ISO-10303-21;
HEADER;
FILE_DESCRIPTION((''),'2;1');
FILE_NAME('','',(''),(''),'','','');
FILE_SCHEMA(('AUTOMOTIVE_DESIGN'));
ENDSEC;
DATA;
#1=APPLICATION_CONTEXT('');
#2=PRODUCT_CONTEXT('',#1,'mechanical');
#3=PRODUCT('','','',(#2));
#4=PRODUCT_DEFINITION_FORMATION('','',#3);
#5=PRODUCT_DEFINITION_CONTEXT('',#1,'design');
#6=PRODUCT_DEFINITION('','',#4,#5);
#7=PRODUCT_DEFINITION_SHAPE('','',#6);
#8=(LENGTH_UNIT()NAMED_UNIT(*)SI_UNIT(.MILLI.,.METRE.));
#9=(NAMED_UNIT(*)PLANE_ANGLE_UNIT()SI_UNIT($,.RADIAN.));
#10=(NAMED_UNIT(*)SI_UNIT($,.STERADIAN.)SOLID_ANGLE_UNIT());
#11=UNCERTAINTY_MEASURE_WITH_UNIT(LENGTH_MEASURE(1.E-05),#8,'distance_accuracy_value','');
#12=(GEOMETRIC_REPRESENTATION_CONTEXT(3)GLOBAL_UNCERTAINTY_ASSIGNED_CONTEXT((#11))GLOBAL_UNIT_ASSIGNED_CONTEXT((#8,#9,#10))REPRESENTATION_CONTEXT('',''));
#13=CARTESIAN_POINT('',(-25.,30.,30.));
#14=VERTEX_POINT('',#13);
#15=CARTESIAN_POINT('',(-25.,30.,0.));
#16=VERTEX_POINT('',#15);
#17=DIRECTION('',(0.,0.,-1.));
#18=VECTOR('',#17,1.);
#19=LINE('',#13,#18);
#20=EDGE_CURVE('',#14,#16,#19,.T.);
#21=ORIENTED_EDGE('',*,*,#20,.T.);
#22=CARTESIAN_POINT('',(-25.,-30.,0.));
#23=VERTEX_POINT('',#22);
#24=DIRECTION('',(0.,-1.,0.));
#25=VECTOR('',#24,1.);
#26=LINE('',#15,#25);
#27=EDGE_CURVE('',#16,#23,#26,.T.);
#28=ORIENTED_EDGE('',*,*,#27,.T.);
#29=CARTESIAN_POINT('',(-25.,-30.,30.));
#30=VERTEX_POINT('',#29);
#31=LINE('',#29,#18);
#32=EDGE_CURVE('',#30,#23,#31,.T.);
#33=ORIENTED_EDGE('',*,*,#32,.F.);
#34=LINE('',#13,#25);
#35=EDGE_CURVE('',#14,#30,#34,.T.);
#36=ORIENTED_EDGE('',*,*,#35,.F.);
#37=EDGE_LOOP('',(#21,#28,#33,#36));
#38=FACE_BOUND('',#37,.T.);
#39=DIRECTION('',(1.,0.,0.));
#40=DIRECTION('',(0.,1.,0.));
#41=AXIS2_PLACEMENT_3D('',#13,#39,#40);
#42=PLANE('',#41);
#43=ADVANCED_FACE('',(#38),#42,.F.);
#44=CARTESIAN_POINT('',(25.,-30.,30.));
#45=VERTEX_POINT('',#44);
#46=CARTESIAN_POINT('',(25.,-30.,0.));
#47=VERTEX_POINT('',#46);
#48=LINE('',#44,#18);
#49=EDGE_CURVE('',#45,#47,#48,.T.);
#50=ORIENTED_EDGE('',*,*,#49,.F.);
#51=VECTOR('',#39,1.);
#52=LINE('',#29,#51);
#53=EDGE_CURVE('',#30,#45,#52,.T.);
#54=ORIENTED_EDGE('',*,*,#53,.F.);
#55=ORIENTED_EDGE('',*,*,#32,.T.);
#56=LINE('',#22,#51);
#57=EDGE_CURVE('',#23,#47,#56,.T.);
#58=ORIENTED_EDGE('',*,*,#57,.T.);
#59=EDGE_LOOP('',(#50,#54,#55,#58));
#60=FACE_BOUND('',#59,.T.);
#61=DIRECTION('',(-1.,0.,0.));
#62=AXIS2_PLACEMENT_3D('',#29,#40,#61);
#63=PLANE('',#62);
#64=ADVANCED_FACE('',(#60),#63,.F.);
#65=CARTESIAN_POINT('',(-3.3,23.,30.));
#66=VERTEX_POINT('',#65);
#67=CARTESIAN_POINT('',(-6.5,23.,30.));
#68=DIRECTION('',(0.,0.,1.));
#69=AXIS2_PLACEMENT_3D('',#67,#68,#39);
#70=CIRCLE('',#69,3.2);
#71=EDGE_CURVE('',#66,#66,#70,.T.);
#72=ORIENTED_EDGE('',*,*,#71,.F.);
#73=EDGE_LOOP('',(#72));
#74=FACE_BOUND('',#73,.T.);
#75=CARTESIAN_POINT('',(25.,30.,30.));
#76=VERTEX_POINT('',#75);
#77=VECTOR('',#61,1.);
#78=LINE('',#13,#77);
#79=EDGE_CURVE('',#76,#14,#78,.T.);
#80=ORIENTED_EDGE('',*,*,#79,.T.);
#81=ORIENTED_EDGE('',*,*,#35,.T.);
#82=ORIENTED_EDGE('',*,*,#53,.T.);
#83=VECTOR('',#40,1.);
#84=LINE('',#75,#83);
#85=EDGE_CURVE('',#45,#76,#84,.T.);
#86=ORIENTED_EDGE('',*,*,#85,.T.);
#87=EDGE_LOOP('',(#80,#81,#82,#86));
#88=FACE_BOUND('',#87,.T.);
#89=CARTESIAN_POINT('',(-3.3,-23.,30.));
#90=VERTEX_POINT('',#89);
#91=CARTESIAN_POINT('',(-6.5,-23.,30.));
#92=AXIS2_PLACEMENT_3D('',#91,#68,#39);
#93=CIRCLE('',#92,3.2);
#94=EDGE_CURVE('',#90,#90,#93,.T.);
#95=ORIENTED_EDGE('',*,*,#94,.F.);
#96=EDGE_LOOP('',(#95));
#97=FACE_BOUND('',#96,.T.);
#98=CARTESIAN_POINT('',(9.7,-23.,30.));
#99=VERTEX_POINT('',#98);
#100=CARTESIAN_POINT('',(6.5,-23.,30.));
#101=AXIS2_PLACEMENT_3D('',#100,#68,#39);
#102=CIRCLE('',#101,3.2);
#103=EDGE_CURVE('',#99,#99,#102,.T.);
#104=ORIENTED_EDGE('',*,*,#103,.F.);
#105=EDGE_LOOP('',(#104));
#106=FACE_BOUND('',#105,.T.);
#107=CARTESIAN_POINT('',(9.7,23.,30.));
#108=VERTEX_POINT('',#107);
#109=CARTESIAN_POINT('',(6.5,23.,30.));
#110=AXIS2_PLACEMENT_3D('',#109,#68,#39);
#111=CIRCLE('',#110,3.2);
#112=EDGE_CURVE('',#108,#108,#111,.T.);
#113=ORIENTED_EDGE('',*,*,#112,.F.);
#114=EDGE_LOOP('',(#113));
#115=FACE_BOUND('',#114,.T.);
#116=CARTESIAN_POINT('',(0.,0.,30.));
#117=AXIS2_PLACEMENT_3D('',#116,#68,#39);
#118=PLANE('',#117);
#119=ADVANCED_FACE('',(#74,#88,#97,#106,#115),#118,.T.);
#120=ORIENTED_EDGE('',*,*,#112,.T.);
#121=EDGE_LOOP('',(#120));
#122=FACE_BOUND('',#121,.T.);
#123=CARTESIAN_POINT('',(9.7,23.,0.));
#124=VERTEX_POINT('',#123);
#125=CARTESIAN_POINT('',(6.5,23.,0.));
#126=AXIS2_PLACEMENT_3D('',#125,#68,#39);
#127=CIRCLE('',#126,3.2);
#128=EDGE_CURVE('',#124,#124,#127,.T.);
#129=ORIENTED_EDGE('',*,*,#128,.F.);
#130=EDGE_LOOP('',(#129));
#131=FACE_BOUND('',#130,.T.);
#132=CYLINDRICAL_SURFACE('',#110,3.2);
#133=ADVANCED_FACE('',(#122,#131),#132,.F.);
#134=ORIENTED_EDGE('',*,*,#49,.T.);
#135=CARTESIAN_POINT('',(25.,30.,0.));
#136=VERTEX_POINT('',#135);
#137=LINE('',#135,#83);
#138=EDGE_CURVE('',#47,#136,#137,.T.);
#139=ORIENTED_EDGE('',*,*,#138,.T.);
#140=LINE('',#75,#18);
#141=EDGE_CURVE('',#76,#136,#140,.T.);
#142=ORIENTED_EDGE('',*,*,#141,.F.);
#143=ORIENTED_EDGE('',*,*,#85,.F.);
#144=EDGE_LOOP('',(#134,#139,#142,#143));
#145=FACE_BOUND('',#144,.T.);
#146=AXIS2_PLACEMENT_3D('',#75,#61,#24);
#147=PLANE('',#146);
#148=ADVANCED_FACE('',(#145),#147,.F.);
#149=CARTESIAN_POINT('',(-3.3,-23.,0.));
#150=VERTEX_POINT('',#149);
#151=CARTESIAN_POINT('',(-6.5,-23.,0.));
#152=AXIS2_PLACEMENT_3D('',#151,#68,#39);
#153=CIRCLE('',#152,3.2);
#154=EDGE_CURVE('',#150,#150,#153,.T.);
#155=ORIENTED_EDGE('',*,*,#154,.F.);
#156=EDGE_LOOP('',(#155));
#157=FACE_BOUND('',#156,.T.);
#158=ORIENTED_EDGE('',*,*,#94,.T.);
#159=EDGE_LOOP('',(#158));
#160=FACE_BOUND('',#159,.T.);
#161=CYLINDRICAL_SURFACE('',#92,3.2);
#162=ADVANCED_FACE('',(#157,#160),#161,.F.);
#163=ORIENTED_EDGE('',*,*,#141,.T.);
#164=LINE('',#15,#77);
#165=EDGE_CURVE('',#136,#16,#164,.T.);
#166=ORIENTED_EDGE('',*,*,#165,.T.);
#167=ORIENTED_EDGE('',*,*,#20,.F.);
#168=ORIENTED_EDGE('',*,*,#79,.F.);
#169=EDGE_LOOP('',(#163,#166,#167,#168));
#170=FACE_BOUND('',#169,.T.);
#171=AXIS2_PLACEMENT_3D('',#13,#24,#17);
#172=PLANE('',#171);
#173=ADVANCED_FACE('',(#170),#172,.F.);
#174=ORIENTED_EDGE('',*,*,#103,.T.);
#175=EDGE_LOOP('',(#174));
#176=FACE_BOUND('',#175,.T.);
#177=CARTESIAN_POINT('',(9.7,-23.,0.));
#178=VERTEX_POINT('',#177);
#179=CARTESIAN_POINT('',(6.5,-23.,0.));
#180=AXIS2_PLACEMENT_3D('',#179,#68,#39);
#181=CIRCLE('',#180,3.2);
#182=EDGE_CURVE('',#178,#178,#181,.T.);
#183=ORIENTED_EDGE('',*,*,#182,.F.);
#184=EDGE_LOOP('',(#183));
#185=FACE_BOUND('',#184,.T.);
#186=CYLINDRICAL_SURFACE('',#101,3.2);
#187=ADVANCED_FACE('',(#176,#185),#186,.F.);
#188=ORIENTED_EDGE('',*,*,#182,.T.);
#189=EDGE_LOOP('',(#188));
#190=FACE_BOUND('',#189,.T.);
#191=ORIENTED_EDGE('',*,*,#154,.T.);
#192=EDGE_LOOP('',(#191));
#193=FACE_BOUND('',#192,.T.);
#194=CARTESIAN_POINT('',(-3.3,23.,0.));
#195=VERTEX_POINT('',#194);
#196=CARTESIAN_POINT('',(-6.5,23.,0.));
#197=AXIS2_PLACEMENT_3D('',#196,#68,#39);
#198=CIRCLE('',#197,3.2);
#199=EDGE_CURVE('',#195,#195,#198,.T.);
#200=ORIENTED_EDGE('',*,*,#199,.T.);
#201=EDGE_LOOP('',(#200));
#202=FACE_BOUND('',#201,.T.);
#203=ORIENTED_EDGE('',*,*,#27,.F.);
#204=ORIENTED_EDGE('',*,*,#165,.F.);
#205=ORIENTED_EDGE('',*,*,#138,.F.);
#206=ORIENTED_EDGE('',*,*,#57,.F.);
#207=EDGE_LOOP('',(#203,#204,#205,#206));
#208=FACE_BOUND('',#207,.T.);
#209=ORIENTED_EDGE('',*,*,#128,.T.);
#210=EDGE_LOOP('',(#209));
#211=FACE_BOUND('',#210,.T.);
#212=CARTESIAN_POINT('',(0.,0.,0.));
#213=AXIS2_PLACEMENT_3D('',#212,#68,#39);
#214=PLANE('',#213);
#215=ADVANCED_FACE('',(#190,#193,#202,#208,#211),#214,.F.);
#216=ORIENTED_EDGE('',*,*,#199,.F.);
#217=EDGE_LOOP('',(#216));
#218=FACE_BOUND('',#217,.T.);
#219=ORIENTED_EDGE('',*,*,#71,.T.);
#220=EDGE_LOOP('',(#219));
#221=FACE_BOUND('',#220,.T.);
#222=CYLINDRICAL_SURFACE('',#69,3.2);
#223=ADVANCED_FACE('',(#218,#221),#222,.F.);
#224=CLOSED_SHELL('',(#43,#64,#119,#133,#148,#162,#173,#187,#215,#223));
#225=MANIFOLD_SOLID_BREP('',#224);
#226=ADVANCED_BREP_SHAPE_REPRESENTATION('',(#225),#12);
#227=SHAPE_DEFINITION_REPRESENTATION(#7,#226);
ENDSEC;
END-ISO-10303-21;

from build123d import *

# Parameters (mm, degrees)
SKETCH1_W            = 50
SKETCH1_H            = 60
BOSS_EXTRUDE1_DEPTH  = 30
M6_CLEARANCE_HOLE1_D = 6.4


with BuildPart() as part:
    # Sketch1 → Boss-Extrude1 (new body)
    with BuildSketch(Plane.XY):
        Rectangle(SKETCH1_W, SKETCH1_H)
    extrude(amount=BOSS_EXTRUDE1_DEPTH)

    # M6 Clearance Hole1 (through all)
    with Locations(Plane.XY.offset(30)):
        with Locations((-6.5, 23), (-6.5, -23), (6.5, -23), (6.5, 23)):
            Hole(M6_CLEARANCE_HOLE1_D / 2)


solid = part.part
